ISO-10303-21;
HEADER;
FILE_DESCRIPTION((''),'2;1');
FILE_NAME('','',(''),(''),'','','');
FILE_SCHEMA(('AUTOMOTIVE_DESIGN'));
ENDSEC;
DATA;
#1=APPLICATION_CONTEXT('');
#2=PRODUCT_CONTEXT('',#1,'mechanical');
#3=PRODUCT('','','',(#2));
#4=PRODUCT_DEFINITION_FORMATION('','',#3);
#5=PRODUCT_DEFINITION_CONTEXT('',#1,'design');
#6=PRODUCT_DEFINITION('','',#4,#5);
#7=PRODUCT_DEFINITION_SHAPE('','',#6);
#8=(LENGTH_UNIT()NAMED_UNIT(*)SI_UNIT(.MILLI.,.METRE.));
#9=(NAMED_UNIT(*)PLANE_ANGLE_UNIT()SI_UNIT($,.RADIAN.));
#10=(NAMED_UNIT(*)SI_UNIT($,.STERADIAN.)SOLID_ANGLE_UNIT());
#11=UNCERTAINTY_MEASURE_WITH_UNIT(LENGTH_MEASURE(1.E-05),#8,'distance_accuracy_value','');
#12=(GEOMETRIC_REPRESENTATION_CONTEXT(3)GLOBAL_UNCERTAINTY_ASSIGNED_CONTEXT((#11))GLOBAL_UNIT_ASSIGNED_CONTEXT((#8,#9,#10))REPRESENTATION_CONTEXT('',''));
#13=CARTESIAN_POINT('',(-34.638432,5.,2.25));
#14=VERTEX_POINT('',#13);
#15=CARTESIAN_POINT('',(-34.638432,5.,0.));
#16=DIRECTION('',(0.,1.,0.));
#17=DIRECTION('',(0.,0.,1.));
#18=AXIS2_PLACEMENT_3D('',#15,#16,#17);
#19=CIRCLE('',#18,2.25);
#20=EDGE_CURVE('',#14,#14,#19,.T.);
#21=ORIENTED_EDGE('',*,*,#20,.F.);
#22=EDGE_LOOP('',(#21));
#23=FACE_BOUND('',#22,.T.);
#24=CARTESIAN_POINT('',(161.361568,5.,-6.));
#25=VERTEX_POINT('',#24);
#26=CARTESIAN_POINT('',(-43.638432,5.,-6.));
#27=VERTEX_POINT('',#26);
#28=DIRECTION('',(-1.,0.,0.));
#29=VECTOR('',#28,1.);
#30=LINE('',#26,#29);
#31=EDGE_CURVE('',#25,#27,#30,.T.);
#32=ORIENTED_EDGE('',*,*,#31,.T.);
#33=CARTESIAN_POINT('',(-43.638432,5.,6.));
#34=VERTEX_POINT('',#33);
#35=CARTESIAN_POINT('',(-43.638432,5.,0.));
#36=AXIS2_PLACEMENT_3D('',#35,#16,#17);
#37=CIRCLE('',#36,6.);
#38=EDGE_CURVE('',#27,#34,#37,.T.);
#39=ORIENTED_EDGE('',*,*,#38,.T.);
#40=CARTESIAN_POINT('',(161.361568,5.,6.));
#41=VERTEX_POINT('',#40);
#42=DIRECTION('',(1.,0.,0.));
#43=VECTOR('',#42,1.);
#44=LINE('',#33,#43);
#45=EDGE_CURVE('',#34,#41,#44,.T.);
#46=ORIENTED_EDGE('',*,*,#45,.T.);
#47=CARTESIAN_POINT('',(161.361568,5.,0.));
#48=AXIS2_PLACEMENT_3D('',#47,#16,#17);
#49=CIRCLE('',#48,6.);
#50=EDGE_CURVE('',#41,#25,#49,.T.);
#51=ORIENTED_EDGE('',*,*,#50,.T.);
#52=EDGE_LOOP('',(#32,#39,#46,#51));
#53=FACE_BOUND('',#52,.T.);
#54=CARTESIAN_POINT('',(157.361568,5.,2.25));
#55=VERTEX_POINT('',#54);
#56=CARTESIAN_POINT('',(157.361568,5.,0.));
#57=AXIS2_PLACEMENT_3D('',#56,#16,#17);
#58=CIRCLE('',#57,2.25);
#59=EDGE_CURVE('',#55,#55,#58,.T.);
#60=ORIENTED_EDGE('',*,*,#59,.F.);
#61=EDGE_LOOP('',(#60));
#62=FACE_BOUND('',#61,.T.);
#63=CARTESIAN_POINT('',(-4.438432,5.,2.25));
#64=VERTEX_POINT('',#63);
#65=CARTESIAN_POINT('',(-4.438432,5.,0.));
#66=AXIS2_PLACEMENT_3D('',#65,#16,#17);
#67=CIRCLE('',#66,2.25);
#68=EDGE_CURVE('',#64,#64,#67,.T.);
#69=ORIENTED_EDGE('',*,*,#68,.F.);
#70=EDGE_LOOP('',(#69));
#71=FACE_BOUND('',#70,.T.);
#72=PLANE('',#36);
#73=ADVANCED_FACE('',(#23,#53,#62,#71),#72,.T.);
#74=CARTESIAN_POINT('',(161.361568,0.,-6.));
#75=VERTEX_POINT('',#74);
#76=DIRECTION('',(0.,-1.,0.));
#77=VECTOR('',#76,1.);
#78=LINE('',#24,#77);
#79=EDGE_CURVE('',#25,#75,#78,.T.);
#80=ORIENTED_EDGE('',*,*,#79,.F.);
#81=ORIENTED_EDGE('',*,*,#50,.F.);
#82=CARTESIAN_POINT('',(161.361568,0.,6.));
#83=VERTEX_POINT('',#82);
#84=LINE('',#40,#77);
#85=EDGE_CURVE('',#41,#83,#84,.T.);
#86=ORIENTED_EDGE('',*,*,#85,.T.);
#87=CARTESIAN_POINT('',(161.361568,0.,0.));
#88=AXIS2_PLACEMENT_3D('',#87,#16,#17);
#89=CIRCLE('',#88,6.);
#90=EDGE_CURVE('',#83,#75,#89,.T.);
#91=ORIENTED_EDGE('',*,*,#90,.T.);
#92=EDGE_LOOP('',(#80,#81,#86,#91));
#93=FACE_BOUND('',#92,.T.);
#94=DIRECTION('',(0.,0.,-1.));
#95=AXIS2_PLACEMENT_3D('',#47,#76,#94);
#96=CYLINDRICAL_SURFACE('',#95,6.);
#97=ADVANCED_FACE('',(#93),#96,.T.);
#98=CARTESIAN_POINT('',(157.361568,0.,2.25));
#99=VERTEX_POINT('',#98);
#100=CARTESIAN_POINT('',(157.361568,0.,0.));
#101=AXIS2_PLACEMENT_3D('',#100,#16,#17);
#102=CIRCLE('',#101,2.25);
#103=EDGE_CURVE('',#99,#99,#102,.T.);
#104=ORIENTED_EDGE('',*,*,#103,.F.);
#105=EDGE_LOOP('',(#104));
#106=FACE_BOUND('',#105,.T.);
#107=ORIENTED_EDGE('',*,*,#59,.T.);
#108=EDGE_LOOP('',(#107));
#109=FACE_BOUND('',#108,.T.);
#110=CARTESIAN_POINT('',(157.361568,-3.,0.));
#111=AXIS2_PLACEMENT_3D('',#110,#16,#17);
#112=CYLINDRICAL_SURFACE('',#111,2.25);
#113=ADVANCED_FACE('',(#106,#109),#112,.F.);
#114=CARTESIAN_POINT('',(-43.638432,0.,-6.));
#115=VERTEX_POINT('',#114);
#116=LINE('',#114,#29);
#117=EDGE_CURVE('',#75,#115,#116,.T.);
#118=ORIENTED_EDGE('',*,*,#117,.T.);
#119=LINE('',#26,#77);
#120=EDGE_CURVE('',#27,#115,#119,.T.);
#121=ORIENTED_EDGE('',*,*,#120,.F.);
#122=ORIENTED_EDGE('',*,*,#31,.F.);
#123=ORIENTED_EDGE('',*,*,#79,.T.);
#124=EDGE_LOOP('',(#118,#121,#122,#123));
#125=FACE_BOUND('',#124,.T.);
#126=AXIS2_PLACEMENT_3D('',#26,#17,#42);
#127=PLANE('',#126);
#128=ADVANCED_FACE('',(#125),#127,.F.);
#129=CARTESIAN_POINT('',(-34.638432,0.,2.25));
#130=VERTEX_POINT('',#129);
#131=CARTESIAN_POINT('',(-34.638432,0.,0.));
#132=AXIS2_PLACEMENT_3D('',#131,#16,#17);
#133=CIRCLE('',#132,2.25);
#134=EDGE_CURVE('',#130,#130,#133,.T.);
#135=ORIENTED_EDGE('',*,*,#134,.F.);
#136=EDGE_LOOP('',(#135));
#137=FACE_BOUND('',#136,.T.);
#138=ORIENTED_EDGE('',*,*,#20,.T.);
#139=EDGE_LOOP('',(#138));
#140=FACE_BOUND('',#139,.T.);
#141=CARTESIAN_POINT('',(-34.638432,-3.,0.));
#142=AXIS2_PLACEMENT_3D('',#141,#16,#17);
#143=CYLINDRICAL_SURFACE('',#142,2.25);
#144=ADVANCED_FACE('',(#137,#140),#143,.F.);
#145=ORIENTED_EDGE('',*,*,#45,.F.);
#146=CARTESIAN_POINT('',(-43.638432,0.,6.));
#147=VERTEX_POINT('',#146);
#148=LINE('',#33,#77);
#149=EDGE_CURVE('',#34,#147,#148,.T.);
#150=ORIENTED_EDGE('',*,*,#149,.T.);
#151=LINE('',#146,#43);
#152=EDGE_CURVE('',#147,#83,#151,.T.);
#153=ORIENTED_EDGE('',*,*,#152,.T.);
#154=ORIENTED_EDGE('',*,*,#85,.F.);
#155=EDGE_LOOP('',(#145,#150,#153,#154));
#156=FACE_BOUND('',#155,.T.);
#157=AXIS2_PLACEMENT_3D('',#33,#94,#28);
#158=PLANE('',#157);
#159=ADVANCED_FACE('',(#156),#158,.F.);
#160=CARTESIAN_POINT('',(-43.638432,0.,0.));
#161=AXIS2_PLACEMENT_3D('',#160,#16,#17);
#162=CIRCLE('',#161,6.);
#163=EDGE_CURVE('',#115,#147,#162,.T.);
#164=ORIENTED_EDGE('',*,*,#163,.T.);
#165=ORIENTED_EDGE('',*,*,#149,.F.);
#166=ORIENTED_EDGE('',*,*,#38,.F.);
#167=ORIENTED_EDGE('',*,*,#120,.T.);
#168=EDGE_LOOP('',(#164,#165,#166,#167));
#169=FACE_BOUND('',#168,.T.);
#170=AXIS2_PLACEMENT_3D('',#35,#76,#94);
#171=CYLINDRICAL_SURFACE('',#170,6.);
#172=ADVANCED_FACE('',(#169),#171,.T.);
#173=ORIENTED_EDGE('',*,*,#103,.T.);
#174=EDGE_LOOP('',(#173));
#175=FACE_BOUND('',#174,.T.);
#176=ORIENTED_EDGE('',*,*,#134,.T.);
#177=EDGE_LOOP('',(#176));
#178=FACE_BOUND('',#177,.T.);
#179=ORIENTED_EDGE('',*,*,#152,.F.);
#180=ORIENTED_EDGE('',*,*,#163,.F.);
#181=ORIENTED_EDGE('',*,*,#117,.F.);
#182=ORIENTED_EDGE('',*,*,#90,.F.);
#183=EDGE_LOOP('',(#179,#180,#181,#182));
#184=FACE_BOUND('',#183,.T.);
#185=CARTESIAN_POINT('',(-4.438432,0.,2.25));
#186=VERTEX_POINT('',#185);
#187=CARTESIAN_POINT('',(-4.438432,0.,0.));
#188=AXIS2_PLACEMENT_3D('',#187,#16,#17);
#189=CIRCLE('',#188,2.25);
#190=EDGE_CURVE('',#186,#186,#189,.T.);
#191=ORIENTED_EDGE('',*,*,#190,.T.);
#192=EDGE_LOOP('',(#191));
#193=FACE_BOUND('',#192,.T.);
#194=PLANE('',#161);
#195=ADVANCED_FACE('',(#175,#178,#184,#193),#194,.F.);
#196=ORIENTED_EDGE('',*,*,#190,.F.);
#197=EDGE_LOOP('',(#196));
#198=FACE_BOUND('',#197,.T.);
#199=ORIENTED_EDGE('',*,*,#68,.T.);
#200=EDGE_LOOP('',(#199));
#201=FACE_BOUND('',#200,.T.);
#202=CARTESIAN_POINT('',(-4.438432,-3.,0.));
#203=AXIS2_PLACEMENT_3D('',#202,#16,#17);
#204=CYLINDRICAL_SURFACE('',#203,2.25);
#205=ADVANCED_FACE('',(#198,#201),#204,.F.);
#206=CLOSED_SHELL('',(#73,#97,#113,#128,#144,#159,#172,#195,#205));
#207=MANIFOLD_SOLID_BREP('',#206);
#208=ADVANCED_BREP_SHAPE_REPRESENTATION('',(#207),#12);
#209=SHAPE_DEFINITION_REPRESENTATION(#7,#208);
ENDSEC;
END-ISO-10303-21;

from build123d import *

# Parameters (mm, degrees)
BOSS_EXTRUDE1_DEPTH = 5
SKETCH2_R           = 2.25
CUT_EXTRUDE1_DEPTH  = 8


with BuildPart() as part:
    # Sketch1 → Boss-Extrude1 (new body)
    with BuildSketch(Plane(origin=(0, 0, 0), x_dir=(1, 0, 0), z_dir=(0, 1, 0))):
        with BuildLine():
            Line((-43.63843249, 6), (161.36156751, 6))
            ThreePointArc((161.36156751, 6), (167.36156751, 0), (161.36156751, -6))
            Line((161.36156751, -6), (-43.63843249, -6))
            ThreePointArc((-43.63843249, -6), (-49.63843249, 0), (-43.63843249, 6))
        make_face()
    extrude(amount=BOSS_EXTRUDE1_DEPTH)

    # Sketch2 → Cut-Extrude1 (cut)
    with BuildSketch(Plane(origin=(0, 5, 0), x_dir=(1, 0, 0), z_dir=(0, 1, 0))):
        with Locations(Location((-4.43843249, 0, 0), (0, 0, 270))):
            Circle(SKETCH2_R)
        with Locations(Location((157.36156751, 0, 0), (0, 0, 270))):
            Circle(SKETCH2_R)
        with Locations(Location((-34.63843249, 0, 0), (0, 0, 270))):
            Circle(SKETCH2_R)
    extrude(amount=-CUT_EXTRUDE1_DEPTH, mode=Mode.SUBTRACT)


solid = part.part
